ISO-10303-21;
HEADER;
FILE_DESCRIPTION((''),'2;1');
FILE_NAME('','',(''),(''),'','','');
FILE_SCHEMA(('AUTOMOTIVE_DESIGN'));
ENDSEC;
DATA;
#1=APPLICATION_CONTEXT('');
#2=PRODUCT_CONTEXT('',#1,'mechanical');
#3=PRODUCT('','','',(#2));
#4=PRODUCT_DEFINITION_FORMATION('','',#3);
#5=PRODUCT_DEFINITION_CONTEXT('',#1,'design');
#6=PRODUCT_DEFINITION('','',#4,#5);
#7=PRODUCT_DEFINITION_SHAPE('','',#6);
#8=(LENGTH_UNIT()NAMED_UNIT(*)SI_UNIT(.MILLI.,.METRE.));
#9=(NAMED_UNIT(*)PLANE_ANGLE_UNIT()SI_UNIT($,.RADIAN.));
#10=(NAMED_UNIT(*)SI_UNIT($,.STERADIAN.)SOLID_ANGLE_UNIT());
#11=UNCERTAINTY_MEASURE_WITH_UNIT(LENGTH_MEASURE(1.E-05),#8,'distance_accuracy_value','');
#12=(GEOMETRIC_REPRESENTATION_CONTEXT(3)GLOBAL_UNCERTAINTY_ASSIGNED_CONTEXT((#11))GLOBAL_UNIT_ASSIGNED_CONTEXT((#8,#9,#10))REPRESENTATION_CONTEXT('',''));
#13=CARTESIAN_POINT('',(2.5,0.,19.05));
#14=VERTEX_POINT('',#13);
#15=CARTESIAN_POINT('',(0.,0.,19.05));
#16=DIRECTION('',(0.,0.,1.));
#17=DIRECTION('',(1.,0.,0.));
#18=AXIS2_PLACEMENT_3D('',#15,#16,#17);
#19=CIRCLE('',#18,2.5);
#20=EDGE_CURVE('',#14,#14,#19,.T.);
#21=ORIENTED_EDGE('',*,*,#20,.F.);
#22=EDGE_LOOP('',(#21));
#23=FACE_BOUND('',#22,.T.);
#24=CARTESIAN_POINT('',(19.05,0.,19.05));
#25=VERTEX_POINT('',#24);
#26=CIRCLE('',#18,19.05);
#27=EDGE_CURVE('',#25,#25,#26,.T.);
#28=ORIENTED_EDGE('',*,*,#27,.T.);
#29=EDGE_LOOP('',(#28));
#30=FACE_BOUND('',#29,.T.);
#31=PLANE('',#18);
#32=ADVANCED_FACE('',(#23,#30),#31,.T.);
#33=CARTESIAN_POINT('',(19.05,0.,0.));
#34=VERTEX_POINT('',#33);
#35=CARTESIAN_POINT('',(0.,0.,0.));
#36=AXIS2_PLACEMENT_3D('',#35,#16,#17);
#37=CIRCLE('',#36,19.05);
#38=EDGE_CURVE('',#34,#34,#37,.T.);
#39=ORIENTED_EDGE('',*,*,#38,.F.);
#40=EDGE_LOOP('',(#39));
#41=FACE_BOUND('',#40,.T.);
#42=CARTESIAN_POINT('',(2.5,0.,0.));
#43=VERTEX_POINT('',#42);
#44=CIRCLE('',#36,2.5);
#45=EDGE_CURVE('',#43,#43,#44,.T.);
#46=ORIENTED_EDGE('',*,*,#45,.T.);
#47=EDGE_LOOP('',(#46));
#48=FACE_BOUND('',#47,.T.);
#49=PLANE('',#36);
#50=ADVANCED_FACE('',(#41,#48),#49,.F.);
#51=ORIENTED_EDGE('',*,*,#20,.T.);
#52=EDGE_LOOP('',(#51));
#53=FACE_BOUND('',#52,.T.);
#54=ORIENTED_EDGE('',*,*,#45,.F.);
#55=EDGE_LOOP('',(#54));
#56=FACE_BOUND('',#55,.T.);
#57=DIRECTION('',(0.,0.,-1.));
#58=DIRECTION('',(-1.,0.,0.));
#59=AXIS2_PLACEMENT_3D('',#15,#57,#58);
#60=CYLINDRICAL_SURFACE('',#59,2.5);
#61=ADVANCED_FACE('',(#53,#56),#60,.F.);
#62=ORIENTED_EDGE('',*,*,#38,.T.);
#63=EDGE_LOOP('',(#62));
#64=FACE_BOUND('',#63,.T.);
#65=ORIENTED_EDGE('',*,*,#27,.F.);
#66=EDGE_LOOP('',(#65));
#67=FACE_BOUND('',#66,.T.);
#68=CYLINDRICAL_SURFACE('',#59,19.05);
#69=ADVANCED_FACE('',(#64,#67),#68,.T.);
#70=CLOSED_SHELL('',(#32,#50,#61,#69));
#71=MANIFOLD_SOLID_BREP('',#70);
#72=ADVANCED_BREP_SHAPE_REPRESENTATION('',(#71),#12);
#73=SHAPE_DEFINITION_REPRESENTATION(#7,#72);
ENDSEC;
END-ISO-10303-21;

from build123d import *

# Parameters (mm, degrees)
SKETCH1_R           = 19.05
SKETCH1_R_2         = 2.5
BOSS_EXTRUDE1_DEPTH = 19.05


with BuildPart() as part:
    # Sketch1 → Boss-Extrude1 (new body)
    with BuildSketch(Plane.XY):
        Circle(SKETCH1_R)
        Circle(SKETCH1_R_2, mode=Mode.SUBTRACT)
    extrude(amount=BOSS_EXTRUDE1_DEPTH)


solid = part.part
